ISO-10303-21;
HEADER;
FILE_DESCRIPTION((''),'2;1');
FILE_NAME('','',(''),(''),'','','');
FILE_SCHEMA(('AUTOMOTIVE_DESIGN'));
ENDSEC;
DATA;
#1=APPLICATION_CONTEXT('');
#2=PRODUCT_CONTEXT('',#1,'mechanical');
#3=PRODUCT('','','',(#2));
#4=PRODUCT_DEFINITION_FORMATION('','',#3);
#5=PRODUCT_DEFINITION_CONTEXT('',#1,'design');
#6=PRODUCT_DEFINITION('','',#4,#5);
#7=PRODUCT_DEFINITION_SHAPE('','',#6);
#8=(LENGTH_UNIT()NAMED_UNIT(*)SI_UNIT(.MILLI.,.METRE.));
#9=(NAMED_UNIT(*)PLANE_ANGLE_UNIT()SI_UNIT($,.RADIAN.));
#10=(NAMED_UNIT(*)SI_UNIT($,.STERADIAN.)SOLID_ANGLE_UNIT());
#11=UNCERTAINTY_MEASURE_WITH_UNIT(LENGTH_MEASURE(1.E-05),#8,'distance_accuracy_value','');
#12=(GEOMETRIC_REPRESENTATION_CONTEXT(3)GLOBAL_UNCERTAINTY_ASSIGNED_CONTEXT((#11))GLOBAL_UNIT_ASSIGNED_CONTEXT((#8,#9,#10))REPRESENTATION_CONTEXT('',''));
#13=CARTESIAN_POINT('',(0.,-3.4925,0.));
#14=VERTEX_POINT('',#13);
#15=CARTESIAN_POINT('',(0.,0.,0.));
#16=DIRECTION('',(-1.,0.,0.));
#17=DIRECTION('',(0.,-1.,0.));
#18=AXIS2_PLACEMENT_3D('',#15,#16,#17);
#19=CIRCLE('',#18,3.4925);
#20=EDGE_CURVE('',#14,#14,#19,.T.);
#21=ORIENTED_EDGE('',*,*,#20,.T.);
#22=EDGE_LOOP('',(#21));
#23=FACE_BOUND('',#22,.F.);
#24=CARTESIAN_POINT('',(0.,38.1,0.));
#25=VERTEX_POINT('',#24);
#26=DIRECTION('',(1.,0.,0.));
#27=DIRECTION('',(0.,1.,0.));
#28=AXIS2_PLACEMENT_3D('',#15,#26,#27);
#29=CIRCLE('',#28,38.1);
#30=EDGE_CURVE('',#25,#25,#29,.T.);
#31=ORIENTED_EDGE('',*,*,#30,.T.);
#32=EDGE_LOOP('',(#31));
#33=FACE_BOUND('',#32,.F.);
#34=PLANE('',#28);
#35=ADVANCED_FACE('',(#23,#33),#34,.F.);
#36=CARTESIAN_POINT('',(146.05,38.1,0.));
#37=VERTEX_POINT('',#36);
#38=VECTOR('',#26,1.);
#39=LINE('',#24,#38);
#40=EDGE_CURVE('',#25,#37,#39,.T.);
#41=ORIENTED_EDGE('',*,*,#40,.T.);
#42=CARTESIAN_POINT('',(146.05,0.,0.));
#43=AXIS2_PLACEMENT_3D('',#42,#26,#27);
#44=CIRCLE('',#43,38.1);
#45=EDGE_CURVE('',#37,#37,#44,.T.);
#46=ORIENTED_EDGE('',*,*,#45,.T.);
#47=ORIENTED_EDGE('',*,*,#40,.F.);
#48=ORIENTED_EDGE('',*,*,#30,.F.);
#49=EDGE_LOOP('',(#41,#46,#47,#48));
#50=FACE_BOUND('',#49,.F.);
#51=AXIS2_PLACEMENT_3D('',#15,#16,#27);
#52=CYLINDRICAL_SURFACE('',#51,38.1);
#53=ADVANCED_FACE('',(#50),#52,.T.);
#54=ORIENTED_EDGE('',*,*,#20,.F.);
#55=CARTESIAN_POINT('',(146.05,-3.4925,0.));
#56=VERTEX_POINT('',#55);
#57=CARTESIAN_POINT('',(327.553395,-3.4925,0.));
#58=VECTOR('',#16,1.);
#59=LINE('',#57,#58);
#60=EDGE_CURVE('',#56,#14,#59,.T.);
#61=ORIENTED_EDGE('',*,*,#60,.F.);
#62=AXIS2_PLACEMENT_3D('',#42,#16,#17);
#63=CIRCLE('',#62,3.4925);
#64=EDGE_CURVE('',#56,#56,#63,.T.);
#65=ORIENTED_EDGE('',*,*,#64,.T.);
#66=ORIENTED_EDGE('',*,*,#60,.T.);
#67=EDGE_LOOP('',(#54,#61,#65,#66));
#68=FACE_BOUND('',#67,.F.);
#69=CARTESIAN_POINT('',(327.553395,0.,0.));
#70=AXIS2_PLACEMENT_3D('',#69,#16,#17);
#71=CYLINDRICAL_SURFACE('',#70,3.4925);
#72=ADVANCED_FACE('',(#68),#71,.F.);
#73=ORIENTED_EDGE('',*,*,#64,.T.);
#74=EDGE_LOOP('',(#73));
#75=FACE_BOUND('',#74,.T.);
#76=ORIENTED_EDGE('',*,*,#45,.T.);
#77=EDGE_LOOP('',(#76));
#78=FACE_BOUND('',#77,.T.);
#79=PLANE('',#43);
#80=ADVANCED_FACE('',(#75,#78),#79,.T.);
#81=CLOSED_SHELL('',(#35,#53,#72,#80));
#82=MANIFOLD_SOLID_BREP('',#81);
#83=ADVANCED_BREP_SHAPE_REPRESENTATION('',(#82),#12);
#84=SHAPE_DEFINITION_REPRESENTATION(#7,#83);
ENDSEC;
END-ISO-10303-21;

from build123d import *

# Parameters (mm, degrees)
F0_R     = 38.1
F1_DEPTH = 146.05
F3_D     = 6.985


with BuildPart() as f1:
    # F0 (on Right) → F1 (new body)
    with BuildSketch(Plane.YZ):
        Circle(F0_R)
    extrude(amount=F1_DEPTH)

    # F3 (through all)
    with Locations(Plane.YZ.offset(146.05)):
        with Locations((0, 0)):
            Hole(F3_D / 2)


solid = f1.part
